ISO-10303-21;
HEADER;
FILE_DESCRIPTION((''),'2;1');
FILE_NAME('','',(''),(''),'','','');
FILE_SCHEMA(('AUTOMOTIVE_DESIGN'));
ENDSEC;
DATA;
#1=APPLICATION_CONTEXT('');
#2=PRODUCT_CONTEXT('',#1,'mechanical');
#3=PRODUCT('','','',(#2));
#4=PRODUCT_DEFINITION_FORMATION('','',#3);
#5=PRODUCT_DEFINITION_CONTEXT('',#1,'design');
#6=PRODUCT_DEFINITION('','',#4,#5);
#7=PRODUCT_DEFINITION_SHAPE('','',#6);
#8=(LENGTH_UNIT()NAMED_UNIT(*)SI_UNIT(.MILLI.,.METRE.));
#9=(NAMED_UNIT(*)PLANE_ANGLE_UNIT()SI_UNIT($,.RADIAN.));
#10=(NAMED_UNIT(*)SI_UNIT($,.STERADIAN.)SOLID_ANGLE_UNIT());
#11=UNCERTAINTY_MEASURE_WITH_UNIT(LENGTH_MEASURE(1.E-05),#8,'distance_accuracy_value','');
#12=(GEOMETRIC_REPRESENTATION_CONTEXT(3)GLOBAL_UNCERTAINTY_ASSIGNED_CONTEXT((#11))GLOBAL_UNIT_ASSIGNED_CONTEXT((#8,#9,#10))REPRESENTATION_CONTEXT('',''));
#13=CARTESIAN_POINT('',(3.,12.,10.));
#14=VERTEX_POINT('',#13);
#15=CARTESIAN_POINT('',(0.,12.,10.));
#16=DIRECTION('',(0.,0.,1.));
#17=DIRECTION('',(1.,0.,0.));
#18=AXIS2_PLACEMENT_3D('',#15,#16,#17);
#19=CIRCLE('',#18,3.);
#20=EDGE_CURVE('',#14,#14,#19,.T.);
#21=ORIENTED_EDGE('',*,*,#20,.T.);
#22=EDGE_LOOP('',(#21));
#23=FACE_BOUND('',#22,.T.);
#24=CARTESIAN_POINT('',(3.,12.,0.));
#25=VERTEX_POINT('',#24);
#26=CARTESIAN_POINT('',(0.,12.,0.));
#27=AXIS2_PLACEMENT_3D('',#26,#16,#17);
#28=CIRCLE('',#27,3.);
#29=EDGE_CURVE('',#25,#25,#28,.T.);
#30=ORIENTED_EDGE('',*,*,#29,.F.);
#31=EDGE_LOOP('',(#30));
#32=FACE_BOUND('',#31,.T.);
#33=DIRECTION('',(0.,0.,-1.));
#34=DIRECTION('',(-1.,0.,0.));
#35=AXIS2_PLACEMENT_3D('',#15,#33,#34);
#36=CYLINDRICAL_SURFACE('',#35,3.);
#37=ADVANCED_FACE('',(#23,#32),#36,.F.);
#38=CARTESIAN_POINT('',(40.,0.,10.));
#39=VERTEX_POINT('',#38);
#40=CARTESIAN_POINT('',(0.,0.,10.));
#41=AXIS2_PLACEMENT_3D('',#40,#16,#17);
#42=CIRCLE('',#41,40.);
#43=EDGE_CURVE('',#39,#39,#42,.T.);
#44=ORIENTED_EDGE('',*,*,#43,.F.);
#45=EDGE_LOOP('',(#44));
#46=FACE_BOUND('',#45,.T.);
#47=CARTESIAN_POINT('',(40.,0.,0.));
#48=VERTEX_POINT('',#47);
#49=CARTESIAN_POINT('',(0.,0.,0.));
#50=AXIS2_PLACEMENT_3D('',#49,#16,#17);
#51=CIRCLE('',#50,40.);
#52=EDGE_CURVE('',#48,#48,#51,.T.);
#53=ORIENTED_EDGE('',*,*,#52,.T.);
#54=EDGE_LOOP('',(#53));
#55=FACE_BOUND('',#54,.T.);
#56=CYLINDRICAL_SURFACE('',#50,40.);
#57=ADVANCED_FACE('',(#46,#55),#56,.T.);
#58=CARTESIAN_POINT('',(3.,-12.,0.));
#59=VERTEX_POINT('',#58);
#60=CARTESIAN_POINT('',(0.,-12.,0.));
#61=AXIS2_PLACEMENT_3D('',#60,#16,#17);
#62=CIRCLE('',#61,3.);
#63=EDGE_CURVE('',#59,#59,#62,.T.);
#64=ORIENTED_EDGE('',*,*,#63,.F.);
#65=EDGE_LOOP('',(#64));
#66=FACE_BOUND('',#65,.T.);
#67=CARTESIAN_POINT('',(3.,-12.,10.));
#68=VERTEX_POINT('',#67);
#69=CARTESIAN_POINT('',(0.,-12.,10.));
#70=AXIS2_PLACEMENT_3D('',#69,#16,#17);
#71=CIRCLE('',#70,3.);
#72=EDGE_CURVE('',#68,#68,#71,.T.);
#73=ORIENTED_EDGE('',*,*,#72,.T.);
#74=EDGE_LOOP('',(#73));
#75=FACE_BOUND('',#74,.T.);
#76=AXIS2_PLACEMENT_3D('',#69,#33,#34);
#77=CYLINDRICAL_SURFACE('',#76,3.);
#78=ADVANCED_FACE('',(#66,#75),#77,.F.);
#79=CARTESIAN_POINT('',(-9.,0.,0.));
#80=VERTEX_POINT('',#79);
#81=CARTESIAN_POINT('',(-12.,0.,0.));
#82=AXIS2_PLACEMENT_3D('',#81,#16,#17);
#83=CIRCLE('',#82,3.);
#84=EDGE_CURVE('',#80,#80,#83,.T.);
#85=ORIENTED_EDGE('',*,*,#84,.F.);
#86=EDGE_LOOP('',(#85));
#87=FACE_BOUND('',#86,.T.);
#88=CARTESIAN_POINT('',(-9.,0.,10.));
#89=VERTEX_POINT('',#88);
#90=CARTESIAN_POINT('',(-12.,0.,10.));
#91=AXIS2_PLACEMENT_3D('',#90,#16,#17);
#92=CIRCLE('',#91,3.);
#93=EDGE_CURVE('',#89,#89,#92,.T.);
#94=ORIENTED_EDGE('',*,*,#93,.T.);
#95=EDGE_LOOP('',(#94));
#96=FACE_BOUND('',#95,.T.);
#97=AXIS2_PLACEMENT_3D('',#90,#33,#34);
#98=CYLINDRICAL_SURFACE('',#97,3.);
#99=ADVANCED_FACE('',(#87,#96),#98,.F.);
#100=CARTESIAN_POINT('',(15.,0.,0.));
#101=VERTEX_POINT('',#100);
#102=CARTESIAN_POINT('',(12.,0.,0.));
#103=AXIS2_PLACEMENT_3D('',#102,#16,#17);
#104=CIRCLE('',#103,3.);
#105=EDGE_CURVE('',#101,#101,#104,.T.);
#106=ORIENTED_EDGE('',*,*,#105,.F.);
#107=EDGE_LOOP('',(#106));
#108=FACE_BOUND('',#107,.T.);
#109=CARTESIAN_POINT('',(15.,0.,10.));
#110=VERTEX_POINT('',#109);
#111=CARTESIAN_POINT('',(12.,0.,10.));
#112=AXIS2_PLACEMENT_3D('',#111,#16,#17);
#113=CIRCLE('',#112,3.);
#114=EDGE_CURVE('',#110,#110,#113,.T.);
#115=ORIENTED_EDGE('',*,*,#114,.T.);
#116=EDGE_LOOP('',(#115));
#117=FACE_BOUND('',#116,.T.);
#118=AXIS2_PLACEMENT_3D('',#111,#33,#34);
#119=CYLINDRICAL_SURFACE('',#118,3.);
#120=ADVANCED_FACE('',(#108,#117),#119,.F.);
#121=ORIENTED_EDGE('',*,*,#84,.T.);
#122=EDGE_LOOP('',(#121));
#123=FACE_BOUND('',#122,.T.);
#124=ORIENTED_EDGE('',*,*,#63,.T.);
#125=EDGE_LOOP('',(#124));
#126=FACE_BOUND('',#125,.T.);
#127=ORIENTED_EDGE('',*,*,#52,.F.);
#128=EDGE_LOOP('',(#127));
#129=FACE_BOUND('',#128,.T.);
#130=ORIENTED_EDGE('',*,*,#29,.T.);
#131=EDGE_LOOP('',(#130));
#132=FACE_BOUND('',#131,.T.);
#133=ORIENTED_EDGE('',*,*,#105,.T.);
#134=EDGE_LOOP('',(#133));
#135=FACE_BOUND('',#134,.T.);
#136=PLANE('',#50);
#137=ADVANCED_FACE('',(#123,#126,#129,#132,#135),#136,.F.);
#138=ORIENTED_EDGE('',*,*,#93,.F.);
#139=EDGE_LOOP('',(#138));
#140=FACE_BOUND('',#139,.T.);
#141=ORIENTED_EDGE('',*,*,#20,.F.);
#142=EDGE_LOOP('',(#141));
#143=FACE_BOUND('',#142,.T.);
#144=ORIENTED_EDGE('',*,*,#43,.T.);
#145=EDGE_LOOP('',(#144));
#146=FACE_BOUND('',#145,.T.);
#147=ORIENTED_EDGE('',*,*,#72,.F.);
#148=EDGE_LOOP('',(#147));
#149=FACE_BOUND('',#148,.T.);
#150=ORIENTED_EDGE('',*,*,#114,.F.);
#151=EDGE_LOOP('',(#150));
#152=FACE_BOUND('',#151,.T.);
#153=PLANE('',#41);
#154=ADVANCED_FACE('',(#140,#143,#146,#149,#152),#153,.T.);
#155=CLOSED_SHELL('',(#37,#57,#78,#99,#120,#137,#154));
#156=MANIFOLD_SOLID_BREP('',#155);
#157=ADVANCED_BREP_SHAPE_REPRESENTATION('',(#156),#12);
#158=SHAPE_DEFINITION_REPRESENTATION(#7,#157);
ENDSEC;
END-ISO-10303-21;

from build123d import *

# Parameters (mm, degrees)
SKETCH_1_R      = 17.5
SKETCH_1_R_2    = 3
EXTRUDE_1_DEPTH = 10
EXTRUDE_START   = -10
SKETCH_2_R      = 40
SKETCH_2_R_2    = 17.5
EXTRUDE_3_DEPTH = 10


with BuildPart() as part:
    # 草图1 → 凸台-拉伸1 (new body)
    with BuildSketch(Plane.XY):
        Circle(SKETCH_1_R)
        with Locations((-12, 0)):
            Circle(SKETCH_1_R_2, mode=Mode.SUBTRACT)
        with Locations((0, 12)):
            Circle(SKETCH_1_R_2, mode=Mode.SUBTRACT)
        with Locations((12, 0)):
            Circle(SKETCH_1_R_2, mode=Mode.SUBTRACT)
        with Locations((0, -12)):
            Circle(SKETCH_1_R_2, mode=Mode.SUBTRACT)
    extrude(amount=EXTRUDE_1_DEPTH)

    # 草图2 → 凸台-拉伸3 (add)
    with BuildSketch(Plane.XY.offset(10).offset(EXTRUDE_START)):
        Circle(SKETCH_2_R)
        Circle(SKETCH_2_R_2, mode=Mode.SUBTRACT)
    extrude(amount=EXTRUDE_3_DEPTH)


solid = part.part
